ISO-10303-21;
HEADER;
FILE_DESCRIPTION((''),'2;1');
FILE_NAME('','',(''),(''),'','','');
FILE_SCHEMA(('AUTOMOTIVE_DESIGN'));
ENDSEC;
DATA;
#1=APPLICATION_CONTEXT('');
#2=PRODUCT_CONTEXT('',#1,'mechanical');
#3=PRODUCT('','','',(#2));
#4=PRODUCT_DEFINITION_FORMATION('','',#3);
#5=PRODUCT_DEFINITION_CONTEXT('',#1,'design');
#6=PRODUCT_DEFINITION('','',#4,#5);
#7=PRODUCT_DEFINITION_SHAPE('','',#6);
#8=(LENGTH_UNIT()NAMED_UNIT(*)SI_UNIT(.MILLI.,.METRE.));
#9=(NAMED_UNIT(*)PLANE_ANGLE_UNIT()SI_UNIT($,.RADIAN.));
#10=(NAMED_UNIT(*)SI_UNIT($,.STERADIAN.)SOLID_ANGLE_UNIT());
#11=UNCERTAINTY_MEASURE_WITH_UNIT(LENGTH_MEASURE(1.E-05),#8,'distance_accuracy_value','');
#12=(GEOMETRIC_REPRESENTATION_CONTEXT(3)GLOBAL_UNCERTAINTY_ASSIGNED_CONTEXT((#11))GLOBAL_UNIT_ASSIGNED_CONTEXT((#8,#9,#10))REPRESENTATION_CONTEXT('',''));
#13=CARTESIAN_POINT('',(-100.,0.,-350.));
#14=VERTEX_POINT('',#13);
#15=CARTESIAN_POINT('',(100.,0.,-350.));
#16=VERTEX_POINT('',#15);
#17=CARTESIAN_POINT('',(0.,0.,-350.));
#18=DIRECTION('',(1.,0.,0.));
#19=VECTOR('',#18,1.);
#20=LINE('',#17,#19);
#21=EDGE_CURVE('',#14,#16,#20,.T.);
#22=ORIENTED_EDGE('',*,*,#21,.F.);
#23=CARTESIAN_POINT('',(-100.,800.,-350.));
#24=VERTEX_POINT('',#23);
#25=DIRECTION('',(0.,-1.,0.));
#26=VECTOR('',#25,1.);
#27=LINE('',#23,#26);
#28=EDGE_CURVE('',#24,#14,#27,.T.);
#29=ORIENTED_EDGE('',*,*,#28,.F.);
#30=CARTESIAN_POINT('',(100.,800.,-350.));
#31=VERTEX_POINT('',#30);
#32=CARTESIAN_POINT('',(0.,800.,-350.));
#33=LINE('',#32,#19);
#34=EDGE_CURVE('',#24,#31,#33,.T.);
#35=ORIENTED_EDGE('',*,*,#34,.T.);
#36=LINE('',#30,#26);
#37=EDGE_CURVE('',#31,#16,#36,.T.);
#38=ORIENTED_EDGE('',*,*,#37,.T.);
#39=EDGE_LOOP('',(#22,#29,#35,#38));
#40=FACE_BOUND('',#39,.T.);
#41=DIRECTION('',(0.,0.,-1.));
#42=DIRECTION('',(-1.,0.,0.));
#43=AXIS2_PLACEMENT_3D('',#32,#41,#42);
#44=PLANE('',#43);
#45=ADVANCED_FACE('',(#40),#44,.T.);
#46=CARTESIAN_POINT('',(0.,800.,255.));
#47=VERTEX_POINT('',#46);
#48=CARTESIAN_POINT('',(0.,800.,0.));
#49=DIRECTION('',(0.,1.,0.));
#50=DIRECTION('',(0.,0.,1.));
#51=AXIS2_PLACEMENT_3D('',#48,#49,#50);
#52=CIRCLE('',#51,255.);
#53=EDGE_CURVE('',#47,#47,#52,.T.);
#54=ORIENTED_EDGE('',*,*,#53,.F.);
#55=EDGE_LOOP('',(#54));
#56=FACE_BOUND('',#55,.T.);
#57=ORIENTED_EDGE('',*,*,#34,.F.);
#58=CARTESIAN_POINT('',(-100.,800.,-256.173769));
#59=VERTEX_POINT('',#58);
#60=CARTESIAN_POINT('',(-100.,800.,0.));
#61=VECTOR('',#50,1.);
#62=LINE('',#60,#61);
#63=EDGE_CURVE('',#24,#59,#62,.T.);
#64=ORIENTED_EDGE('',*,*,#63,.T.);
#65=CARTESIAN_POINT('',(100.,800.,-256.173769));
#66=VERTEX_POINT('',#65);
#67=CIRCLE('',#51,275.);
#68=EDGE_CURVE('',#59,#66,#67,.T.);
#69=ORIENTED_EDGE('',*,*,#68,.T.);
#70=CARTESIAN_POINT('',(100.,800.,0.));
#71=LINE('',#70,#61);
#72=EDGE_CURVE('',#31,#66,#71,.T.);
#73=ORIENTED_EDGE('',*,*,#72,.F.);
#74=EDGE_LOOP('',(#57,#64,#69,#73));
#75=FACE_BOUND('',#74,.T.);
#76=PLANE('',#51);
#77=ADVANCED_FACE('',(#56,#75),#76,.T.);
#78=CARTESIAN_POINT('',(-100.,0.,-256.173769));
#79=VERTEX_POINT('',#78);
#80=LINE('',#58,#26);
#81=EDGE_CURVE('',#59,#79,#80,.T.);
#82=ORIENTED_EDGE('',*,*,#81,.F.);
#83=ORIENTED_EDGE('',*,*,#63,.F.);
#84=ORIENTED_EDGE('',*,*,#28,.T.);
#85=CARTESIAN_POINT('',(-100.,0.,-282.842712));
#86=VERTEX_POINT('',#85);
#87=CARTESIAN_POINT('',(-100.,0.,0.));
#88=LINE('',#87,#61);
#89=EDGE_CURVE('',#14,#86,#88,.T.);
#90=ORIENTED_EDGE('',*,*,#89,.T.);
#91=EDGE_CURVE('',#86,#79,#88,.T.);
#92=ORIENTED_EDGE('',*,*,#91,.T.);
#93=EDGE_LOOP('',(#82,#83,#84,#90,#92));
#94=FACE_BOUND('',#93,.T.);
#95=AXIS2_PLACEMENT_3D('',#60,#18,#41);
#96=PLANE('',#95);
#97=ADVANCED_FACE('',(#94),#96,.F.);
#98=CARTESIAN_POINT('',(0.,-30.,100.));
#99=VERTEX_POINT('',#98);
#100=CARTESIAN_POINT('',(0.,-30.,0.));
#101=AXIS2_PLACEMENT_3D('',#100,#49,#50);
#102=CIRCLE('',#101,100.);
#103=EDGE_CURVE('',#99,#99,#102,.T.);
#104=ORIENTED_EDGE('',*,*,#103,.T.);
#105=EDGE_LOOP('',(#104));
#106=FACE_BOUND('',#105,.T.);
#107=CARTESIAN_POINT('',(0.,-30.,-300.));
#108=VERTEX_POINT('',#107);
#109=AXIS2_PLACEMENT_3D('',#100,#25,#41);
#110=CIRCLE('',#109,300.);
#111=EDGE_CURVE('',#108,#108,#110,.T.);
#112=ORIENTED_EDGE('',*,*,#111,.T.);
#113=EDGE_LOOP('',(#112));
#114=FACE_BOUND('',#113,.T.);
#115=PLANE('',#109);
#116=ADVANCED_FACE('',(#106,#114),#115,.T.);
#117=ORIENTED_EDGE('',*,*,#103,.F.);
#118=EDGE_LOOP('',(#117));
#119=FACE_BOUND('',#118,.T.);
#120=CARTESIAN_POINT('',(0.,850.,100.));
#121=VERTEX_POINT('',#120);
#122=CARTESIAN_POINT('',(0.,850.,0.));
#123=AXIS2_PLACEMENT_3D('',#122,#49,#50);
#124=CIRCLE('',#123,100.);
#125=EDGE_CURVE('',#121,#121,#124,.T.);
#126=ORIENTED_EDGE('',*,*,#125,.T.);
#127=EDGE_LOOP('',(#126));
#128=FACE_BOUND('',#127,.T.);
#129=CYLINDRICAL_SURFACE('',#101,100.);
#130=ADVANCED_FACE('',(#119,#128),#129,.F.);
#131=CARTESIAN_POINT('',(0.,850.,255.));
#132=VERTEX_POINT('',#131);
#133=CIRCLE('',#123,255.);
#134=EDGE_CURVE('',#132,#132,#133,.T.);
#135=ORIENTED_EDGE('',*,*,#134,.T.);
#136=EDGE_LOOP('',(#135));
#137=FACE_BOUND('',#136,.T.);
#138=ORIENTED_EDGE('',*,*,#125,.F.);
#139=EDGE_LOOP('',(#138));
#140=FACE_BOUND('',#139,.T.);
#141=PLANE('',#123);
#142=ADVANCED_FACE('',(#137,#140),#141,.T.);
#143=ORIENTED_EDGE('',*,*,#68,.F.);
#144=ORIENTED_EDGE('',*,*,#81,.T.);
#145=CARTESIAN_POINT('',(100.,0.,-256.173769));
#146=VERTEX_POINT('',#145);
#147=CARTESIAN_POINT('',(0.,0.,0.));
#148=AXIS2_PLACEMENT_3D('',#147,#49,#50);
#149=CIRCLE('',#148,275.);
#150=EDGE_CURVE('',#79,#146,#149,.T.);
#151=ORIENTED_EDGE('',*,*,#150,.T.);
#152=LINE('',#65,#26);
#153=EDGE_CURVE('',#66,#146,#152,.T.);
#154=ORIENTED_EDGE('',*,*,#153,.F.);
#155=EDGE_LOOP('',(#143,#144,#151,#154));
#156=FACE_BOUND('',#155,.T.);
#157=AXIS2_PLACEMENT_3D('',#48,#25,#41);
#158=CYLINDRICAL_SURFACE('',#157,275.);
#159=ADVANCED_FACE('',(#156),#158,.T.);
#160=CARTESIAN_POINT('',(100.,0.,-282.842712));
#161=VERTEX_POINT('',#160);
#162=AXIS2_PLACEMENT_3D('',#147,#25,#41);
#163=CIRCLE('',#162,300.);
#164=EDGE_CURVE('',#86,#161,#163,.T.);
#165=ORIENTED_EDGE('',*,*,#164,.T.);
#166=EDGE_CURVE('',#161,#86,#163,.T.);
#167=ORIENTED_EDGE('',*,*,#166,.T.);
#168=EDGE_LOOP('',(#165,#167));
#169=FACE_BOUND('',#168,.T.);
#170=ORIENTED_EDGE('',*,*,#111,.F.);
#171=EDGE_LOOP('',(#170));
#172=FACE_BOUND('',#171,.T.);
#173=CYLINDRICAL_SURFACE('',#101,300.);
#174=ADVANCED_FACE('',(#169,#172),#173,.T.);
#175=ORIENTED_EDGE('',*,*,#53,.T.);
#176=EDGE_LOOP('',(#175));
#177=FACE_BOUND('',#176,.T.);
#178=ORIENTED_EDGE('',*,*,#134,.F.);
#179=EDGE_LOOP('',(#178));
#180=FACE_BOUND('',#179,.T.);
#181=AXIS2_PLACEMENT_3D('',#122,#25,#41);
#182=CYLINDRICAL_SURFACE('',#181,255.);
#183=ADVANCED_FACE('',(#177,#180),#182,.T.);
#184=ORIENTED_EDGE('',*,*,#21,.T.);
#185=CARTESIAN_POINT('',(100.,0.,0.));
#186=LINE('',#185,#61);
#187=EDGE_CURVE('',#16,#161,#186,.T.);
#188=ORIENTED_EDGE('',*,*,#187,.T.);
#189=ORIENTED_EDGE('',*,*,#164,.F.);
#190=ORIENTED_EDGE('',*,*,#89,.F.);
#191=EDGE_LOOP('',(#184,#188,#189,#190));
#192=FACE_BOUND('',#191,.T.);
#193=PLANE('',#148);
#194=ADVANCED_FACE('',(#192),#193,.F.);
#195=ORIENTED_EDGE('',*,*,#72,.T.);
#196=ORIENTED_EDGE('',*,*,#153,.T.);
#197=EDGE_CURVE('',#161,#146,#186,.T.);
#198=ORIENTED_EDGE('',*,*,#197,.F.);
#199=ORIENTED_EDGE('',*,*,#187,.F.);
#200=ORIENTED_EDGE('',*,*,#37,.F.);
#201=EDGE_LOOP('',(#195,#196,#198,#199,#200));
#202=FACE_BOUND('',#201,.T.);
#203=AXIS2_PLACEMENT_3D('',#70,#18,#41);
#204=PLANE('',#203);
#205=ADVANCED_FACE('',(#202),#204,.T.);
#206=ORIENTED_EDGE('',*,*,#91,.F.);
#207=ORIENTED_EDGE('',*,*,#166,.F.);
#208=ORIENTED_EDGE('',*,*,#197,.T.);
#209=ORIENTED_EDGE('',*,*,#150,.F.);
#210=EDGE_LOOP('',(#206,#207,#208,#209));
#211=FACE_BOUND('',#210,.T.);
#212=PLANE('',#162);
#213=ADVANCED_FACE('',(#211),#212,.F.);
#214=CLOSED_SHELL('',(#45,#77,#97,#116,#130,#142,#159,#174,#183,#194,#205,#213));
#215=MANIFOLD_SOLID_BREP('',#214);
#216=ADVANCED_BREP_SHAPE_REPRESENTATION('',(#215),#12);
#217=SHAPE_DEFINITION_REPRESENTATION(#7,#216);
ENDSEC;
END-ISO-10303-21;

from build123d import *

# Parameters (mm, degrees)
SALIENTE_EXTRUIR1_DEPTH    = 800
SALIENTE_EXTRUIR2_DEPTH    = 800
CROQUIS2_R                 = 300
SALIENTE_EXTRUIR3_DEPTH    = 30
CROQUIS7_R                 = 255
SALIENTE_EXTRUIR4_DEPTH    = 50
CORTAR_EXTRUIR1_DEPTH      = 994.428407083
CORTAR_EXTRUIR1_DEPTH_BACK = 994.428407083
CROQUIS8_R                 = 100


with BuildPart() as part:
    # Croquis1 → Saliente-Extruir1 (new body)
    with BuildSketch(Plane(origin=(0, 0, 0), x_dir=(1, 0, 0), z_dir=(0, 1, 0))):
        with BuildLine():
            ThreePointArc((100, 256.173769149), (0, 275), (-100, 256.173769149))
            ThreePointArc((-100, 256.173769149), (-155.120920575, -227.073776557), (275, 0))
            ThreePointArc((275, 0), (227.073776557, 155.120920575), (100, 256.173769149))
        make_face()
    extrude(amount=SALIENTE_EXTRUIR1_DEPTH)

    # Croquis1<3> → Saliente-Extruir2 (add)
    with BuildSketch(Plane(origin=(0, 0, 0), x_dir=(1, 0, 0), z_dir=(0, 1, 0))):
        with BuildLine():
            Line((-100, 350), (-100, 256.173769149))
            ThreePointArc((-100, 256.173769149), (0, 275), (100, 256.173769149))
            Line((100, 256.173769149), (100, 350))
            Line((100, 350), (-100, 350))
        make_face()
    extrude(amount=SALIENTE_EXTRUIR2_DEPTH)

    # Croquis2 → Saliente-Extruir3 (add)
    with BuildSketch(Plane.XZ):
        Circle(CROQUIS2_R)
    extrude(amount=SALIENTE_EXTRUIR3_DEPTH)

    # Croquis7 → Saliente-Extruir4 (add)
    with BuildSketch(Plane(origin=(0, 800, 0), x_dir=(1, 0, 0), z_dir=(0, 1, 0))):
        Circle(CROQUIS7_R)
    extrude(amount=SALIENTE_EXTRUIR4_DEPTH)

    # Croquis8 → Cortar-Extruir1 (cut, two sides: drawn at the far end of the back side and taken through both)
    with BuildSketch(Plane(origin=(0, 850, 0), x_dir=(1, 0, 0), z_dir=(0, 1, 0)).offset(-CORTAR_EXTRUIR1_DEPTH_BACK)):
        Circle(CROQUIS8_R)
    extrude(amount=CORTAR_EXTRUIR1_DEPTH + CORTAR_EXTRUIR1_DEPTH_BACK, mode=Mode.SUBTRACT)


solid = part.part
